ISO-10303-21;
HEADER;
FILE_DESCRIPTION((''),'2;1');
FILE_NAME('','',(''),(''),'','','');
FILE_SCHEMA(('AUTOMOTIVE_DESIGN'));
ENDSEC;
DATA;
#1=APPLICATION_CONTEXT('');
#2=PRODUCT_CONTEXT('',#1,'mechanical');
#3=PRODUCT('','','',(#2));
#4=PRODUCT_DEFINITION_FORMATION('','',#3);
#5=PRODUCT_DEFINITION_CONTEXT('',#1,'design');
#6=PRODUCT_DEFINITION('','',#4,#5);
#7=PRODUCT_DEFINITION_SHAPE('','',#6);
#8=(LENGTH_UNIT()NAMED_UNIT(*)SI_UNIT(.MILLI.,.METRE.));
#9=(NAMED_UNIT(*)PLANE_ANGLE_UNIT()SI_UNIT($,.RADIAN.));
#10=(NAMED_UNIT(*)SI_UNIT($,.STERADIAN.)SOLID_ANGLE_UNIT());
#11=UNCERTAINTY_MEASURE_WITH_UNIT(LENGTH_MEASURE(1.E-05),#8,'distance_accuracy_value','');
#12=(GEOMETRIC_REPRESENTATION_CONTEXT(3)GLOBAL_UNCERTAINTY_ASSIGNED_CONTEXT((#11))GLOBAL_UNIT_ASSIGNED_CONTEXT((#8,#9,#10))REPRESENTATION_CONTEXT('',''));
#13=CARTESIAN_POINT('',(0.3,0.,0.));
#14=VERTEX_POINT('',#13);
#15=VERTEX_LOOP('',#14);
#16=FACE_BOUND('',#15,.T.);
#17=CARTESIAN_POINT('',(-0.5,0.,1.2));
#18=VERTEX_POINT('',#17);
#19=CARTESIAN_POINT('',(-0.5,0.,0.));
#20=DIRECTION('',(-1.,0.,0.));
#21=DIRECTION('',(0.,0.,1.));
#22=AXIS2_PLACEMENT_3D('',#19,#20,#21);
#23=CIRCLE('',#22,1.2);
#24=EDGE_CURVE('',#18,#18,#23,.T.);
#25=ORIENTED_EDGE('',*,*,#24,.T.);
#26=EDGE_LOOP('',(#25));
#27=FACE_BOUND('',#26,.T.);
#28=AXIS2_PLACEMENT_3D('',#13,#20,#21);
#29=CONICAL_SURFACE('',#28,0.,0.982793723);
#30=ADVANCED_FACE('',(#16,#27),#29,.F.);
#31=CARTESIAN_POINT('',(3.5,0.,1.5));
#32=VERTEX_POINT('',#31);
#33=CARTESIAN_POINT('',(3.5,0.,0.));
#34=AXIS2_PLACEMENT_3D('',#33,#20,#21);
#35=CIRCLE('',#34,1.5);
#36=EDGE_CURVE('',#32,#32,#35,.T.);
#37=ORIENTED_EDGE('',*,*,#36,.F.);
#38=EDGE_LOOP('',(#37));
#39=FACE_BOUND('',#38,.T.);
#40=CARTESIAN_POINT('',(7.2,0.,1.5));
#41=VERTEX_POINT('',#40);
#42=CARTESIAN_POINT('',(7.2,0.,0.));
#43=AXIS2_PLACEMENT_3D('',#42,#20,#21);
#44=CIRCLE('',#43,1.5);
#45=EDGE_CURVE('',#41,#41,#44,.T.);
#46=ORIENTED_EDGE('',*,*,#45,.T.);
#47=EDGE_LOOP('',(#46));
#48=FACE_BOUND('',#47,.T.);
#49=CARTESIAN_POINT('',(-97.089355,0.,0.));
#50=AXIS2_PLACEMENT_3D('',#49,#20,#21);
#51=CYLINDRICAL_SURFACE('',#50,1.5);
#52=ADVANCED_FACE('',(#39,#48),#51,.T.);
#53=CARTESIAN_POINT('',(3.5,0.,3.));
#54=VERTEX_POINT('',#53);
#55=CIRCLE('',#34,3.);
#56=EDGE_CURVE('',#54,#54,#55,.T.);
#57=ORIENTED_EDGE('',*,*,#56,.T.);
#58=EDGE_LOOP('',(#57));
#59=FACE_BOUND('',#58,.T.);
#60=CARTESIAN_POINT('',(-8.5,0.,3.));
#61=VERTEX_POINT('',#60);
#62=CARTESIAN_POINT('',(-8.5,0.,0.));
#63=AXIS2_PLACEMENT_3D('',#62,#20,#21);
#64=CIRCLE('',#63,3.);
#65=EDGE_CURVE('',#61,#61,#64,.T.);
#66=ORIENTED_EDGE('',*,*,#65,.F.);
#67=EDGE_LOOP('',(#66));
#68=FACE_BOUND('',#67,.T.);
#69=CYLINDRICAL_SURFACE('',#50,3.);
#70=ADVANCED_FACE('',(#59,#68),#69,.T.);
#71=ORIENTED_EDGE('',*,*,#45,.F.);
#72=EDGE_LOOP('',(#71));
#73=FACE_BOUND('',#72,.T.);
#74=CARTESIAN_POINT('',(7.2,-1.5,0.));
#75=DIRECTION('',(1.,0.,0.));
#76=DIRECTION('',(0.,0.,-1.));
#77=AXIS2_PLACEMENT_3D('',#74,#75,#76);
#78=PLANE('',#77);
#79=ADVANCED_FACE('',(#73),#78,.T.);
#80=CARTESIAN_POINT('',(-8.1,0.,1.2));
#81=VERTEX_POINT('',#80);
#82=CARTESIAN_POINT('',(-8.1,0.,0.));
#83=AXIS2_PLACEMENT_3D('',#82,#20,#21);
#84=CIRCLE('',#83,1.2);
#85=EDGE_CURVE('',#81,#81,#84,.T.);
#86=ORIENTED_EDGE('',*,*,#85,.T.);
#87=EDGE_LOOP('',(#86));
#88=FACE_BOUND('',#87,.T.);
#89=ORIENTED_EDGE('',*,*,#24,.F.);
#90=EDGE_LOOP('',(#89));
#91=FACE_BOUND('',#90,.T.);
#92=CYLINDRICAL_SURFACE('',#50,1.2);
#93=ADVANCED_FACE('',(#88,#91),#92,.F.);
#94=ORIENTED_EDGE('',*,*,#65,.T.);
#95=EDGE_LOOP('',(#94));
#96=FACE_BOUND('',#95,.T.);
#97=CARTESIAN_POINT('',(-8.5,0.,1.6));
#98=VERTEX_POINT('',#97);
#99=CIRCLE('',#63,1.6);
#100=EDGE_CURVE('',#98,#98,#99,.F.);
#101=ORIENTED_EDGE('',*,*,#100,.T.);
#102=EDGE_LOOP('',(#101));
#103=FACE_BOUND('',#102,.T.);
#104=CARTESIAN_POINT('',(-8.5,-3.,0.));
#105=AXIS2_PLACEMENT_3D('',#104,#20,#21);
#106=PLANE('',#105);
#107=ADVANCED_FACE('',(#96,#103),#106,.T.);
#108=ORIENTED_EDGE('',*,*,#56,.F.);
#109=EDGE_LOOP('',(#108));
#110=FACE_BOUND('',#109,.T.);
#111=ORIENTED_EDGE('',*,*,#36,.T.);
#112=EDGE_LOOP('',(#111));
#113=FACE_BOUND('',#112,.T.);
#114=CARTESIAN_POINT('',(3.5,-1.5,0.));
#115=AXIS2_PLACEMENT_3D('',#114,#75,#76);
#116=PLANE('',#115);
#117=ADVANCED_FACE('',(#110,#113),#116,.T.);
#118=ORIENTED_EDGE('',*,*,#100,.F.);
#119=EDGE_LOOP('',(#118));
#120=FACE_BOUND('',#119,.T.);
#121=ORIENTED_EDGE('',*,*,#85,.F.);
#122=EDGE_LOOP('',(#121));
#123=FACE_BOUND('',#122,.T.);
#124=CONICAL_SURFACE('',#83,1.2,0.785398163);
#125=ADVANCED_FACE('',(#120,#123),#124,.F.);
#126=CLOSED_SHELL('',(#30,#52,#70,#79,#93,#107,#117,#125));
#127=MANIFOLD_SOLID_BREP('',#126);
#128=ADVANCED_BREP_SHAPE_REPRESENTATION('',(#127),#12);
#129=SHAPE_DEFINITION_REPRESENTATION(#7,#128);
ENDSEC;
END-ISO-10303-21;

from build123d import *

# Parameters (mm, degrees)
CHAMFER_1_SIZE = 0.4


with BuildPart() as part:
    # Эскиз1 → Revolve 365 (revolve)
    with BuildSketch(Plane.XY, mode=Mode.PRIVATE) as revolve_365_sk:
        Polygon((7.2, -1.5), (7.2, 0), (0.3, 0), (-0.5, -1.2), (-8.5, -1.2), (-8.5, -3), (3.5, -3), (3.5, -1.5), align=None)
    revolve(revolve_365_sk.sketch.rotate(Axis((-97.089355169, 0, 0), (1, 0, 0)), 270), axis=Axis((-97.089355169, 0, 0), (1, 0, 0)))

    # Фаска1
    chamfer_1_edges = [part.edges().sort_by_distance(p)[0] for p in [
        (-8.5, 0, -1.2),
    ]]
    chamfer(chamfer_1_edges, length=CHAMFER_1_SIZE)


solid = part.part
